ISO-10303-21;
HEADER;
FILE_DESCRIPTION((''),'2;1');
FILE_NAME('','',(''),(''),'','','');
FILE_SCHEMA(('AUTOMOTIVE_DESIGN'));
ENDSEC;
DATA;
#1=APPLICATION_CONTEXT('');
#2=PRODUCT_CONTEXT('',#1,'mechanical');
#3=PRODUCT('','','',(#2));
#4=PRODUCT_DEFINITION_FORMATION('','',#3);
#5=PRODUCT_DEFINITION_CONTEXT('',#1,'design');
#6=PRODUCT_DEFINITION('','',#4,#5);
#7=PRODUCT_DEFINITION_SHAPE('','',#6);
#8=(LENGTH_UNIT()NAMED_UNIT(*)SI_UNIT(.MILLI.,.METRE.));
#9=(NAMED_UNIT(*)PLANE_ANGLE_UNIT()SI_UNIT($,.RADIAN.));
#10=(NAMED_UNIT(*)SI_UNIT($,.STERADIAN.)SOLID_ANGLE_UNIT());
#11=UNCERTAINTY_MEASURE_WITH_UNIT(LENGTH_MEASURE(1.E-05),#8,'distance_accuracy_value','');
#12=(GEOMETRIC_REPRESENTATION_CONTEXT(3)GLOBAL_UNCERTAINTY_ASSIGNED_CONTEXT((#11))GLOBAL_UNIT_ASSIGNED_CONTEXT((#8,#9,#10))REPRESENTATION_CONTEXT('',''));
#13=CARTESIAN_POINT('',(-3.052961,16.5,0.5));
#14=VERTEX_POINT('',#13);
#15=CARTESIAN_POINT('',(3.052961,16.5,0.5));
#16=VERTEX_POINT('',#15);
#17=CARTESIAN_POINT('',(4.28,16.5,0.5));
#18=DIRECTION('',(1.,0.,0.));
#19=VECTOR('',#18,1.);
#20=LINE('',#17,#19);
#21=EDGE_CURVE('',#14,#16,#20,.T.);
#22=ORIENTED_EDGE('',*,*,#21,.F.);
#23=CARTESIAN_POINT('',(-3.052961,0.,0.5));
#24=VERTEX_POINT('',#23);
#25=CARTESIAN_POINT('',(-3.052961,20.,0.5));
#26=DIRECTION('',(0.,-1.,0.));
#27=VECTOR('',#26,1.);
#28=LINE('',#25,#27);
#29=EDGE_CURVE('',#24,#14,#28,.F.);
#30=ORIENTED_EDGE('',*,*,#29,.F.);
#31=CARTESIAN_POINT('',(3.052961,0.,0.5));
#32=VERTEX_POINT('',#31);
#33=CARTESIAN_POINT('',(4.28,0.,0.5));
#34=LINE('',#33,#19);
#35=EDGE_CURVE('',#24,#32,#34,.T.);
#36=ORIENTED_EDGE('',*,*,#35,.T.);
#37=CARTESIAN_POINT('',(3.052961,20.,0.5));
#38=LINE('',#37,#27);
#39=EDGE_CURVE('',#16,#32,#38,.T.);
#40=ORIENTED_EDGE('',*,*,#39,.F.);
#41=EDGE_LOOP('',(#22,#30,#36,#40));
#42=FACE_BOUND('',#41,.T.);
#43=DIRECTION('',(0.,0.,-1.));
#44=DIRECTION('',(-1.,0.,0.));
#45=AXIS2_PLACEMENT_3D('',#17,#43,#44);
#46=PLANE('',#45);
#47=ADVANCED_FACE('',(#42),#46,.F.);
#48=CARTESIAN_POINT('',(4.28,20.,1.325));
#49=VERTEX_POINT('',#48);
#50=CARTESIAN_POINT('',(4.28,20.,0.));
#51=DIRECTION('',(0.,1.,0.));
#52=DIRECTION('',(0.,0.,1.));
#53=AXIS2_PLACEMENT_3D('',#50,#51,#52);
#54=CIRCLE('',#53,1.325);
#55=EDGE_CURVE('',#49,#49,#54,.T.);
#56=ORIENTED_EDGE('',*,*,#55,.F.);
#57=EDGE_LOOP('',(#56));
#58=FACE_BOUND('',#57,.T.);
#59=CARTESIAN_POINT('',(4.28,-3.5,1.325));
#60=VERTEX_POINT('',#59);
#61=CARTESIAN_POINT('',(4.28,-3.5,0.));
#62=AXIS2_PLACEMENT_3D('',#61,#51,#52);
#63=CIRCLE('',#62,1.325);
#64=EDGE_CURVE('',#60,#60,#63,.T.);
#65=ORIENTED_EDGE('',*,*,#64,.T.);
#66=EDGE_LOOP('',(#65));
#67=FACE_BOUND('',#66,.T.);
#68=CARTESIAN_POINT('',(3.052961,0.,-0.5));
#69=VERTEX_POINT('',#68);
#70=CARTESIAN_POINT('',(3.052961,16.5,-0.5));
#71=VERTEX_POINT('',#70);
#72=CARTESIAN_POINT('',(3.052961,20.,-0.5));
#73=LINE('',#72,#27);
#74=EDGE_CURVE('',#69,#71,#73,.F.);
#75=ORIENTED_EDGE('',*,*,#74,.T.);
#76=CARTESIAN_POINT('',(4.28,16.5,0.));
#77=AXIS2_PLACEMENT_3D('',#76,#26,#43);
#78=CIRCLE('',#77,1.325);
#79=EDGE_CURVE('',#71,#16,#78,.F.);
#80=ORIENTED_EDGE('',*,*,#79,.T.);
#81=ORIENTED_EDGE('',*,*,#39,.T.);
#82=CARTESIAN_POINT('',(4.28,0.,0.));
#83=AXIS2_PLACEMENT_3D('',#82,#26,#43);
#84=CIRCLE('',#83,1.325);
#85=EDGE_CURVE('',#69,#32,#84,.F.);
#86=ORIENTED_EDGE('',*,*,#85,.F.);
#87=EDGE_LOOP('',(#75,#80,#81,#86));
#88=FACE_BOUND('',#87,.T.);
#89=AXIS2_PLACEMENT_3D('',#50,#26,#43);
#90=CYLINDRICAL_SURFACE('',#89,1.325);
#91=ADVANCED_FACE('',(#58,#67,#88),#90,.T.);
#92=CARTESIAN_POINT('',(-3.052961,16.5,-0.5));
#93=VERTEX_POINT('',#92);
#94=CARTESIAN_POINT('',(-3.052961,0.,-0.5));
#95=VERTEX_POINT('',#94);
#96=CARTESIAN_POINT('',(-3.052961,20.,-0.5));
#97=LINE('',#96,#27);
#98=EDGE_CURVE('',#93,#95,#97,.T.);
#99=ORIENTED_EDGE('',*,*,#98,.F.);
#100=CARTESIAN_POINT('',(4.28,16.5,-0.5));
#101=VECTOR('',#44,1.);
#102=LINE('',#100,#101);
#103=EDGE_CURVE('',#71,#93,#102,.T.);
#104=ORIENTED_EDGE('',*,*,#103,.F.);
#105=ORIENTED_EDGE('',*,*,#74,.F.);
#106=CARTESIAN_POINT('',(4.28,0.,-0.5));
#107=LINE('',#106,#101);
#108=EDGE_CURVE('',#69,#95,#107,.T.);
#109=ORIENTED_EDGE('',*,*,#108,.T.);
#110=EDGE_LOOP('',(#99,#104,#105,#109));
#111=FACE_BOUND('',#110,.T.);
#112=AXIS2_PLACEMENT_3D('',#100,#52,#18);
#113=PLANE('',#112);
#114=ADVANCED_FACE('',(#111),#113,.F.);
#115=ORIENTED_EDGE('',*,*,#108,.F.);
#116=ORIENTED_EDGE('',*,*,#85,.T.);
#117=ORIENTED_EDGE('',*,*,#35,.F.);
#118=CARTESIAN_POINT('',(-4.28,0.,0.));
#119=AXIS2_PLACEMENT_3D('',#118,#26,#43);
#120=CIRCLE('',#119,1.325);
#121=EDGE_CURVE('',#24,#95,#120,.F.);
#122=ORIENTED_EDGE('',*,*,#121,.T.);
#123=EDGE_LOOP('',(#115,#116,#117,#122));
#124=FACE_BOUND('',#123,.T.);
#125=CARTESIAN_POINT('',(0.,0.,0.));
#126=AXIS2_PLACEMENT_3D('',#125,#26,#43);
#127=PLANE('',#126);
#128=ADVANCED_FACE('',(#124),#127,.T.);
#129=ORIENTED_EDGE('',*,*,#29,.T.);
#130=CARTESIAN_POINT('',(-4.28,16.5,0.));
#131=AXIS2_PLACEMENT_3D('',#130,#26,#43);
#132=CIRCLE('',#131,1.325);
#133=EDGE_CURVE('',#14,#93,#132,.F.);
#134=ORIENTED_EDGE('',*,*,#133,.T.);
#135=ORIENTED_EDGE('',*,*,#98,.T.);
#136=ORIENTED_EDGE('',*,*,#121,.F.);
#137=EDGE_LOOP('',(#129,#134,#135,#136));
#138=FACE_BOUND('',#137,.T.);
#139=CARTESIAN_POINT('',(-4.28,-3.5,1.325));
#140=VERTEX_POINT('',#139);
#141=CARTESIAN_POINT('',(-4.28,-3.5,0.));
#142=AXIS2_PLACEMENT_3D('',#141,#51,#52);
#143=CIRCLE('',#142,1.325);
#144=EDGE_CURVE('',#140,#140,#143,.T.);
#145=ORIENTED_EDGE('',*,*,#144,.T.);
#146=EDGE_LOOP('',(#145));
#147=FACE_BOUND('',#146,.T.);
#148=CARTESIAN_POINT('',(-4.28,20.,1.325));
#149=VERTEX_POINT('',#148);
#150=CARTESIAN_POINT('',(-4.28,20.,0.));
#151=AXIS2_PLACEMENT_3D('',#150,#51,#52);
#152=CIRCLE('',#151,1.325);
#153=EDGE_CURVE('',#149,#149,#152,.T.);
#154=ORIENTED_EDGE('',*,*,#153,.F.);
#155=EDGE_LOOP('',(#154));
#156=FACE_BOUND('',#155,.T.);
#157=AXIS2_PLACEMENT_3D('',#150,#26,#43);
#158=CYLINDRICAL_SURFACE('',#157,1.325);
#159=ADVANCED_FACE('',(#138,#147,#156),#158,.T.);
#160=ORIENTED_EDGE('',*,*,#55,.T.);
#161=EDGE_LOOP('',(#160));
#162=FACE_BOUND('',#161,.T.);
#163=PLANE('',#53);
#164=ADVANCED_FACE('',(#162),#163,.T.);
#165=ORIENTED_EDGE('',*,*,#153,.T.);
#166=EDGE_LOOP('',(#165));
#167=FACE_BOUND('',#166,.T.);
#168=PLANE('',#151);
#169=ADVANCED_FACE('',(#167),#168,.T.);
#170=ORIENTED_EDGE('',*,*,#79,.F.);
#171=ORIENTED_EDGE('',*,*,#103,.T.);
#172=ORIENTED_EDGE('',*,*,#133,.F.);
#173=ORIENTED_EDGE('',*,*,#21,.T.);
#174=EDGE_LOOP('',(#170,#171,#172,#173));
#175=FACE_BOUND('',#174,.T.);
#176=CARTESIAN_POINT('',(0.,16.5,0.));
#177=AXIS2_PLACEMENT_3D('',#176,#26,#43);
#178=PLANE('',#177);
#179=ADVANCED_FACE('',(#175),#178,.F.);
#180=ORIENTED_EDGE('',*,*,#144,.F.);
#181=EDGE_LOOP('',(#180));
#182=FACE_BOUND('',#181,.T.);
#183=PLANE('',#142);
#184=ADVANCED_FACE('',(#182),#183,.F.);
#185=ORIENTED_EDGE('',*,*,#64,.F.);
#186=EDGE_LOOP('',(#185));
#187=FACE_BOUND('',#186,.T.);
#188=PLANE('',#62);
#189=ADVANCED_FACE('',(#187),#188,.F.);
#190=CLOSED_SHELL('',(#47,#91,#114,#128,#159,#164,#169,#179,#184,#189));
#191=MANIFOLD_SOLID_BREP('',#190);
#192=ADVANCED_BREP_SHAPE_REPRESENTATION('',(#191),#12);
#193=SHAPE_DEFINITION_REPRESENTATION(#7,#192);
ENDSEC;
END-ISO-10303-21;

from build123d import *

# Parameters (mm, degrees)
SKETCH1_W           = 8.56
SKETCH1_H           = 1
BOSS_EXTRUDE1_DEPTH = 16.5
SKETCH2_R           = 1.325
BOSS_EXTRUDE2_DEPTH = 11.75


with BuildPart() as part:
    # Sketch1 → Boss-Extrude1 (new body)
    with BuildSketch(Plane(origin=(0, 0, 0), x_dir=(1, 0, 0), z_dir=(0, 1, 0))):
        Rectangle(SKETCH1_W, SKETCH1_H)
    extrude(amount=BOSS_EXTRUDE1_DEPTH)

    # Sketch2 → Boss-Extrude2 (add, symmetric)
    with BuildSketch(Plane(origin=(0, 8.25, 0), x_dir=(1, 0, 0), z_dir=(0, 1, 0))):
        with Locations(Location((-4.28, 0, 0), (0, 0, 270))):
            Circle(SKETCH2_R)
        with Locations(Location((4.28, 0, 0), (0, 0, 270))):
            Circle(SKETCH2_R)
    extrude(amount=BOSS_EXTRUDE2_DEPTH, both=True)


solid = part.part
